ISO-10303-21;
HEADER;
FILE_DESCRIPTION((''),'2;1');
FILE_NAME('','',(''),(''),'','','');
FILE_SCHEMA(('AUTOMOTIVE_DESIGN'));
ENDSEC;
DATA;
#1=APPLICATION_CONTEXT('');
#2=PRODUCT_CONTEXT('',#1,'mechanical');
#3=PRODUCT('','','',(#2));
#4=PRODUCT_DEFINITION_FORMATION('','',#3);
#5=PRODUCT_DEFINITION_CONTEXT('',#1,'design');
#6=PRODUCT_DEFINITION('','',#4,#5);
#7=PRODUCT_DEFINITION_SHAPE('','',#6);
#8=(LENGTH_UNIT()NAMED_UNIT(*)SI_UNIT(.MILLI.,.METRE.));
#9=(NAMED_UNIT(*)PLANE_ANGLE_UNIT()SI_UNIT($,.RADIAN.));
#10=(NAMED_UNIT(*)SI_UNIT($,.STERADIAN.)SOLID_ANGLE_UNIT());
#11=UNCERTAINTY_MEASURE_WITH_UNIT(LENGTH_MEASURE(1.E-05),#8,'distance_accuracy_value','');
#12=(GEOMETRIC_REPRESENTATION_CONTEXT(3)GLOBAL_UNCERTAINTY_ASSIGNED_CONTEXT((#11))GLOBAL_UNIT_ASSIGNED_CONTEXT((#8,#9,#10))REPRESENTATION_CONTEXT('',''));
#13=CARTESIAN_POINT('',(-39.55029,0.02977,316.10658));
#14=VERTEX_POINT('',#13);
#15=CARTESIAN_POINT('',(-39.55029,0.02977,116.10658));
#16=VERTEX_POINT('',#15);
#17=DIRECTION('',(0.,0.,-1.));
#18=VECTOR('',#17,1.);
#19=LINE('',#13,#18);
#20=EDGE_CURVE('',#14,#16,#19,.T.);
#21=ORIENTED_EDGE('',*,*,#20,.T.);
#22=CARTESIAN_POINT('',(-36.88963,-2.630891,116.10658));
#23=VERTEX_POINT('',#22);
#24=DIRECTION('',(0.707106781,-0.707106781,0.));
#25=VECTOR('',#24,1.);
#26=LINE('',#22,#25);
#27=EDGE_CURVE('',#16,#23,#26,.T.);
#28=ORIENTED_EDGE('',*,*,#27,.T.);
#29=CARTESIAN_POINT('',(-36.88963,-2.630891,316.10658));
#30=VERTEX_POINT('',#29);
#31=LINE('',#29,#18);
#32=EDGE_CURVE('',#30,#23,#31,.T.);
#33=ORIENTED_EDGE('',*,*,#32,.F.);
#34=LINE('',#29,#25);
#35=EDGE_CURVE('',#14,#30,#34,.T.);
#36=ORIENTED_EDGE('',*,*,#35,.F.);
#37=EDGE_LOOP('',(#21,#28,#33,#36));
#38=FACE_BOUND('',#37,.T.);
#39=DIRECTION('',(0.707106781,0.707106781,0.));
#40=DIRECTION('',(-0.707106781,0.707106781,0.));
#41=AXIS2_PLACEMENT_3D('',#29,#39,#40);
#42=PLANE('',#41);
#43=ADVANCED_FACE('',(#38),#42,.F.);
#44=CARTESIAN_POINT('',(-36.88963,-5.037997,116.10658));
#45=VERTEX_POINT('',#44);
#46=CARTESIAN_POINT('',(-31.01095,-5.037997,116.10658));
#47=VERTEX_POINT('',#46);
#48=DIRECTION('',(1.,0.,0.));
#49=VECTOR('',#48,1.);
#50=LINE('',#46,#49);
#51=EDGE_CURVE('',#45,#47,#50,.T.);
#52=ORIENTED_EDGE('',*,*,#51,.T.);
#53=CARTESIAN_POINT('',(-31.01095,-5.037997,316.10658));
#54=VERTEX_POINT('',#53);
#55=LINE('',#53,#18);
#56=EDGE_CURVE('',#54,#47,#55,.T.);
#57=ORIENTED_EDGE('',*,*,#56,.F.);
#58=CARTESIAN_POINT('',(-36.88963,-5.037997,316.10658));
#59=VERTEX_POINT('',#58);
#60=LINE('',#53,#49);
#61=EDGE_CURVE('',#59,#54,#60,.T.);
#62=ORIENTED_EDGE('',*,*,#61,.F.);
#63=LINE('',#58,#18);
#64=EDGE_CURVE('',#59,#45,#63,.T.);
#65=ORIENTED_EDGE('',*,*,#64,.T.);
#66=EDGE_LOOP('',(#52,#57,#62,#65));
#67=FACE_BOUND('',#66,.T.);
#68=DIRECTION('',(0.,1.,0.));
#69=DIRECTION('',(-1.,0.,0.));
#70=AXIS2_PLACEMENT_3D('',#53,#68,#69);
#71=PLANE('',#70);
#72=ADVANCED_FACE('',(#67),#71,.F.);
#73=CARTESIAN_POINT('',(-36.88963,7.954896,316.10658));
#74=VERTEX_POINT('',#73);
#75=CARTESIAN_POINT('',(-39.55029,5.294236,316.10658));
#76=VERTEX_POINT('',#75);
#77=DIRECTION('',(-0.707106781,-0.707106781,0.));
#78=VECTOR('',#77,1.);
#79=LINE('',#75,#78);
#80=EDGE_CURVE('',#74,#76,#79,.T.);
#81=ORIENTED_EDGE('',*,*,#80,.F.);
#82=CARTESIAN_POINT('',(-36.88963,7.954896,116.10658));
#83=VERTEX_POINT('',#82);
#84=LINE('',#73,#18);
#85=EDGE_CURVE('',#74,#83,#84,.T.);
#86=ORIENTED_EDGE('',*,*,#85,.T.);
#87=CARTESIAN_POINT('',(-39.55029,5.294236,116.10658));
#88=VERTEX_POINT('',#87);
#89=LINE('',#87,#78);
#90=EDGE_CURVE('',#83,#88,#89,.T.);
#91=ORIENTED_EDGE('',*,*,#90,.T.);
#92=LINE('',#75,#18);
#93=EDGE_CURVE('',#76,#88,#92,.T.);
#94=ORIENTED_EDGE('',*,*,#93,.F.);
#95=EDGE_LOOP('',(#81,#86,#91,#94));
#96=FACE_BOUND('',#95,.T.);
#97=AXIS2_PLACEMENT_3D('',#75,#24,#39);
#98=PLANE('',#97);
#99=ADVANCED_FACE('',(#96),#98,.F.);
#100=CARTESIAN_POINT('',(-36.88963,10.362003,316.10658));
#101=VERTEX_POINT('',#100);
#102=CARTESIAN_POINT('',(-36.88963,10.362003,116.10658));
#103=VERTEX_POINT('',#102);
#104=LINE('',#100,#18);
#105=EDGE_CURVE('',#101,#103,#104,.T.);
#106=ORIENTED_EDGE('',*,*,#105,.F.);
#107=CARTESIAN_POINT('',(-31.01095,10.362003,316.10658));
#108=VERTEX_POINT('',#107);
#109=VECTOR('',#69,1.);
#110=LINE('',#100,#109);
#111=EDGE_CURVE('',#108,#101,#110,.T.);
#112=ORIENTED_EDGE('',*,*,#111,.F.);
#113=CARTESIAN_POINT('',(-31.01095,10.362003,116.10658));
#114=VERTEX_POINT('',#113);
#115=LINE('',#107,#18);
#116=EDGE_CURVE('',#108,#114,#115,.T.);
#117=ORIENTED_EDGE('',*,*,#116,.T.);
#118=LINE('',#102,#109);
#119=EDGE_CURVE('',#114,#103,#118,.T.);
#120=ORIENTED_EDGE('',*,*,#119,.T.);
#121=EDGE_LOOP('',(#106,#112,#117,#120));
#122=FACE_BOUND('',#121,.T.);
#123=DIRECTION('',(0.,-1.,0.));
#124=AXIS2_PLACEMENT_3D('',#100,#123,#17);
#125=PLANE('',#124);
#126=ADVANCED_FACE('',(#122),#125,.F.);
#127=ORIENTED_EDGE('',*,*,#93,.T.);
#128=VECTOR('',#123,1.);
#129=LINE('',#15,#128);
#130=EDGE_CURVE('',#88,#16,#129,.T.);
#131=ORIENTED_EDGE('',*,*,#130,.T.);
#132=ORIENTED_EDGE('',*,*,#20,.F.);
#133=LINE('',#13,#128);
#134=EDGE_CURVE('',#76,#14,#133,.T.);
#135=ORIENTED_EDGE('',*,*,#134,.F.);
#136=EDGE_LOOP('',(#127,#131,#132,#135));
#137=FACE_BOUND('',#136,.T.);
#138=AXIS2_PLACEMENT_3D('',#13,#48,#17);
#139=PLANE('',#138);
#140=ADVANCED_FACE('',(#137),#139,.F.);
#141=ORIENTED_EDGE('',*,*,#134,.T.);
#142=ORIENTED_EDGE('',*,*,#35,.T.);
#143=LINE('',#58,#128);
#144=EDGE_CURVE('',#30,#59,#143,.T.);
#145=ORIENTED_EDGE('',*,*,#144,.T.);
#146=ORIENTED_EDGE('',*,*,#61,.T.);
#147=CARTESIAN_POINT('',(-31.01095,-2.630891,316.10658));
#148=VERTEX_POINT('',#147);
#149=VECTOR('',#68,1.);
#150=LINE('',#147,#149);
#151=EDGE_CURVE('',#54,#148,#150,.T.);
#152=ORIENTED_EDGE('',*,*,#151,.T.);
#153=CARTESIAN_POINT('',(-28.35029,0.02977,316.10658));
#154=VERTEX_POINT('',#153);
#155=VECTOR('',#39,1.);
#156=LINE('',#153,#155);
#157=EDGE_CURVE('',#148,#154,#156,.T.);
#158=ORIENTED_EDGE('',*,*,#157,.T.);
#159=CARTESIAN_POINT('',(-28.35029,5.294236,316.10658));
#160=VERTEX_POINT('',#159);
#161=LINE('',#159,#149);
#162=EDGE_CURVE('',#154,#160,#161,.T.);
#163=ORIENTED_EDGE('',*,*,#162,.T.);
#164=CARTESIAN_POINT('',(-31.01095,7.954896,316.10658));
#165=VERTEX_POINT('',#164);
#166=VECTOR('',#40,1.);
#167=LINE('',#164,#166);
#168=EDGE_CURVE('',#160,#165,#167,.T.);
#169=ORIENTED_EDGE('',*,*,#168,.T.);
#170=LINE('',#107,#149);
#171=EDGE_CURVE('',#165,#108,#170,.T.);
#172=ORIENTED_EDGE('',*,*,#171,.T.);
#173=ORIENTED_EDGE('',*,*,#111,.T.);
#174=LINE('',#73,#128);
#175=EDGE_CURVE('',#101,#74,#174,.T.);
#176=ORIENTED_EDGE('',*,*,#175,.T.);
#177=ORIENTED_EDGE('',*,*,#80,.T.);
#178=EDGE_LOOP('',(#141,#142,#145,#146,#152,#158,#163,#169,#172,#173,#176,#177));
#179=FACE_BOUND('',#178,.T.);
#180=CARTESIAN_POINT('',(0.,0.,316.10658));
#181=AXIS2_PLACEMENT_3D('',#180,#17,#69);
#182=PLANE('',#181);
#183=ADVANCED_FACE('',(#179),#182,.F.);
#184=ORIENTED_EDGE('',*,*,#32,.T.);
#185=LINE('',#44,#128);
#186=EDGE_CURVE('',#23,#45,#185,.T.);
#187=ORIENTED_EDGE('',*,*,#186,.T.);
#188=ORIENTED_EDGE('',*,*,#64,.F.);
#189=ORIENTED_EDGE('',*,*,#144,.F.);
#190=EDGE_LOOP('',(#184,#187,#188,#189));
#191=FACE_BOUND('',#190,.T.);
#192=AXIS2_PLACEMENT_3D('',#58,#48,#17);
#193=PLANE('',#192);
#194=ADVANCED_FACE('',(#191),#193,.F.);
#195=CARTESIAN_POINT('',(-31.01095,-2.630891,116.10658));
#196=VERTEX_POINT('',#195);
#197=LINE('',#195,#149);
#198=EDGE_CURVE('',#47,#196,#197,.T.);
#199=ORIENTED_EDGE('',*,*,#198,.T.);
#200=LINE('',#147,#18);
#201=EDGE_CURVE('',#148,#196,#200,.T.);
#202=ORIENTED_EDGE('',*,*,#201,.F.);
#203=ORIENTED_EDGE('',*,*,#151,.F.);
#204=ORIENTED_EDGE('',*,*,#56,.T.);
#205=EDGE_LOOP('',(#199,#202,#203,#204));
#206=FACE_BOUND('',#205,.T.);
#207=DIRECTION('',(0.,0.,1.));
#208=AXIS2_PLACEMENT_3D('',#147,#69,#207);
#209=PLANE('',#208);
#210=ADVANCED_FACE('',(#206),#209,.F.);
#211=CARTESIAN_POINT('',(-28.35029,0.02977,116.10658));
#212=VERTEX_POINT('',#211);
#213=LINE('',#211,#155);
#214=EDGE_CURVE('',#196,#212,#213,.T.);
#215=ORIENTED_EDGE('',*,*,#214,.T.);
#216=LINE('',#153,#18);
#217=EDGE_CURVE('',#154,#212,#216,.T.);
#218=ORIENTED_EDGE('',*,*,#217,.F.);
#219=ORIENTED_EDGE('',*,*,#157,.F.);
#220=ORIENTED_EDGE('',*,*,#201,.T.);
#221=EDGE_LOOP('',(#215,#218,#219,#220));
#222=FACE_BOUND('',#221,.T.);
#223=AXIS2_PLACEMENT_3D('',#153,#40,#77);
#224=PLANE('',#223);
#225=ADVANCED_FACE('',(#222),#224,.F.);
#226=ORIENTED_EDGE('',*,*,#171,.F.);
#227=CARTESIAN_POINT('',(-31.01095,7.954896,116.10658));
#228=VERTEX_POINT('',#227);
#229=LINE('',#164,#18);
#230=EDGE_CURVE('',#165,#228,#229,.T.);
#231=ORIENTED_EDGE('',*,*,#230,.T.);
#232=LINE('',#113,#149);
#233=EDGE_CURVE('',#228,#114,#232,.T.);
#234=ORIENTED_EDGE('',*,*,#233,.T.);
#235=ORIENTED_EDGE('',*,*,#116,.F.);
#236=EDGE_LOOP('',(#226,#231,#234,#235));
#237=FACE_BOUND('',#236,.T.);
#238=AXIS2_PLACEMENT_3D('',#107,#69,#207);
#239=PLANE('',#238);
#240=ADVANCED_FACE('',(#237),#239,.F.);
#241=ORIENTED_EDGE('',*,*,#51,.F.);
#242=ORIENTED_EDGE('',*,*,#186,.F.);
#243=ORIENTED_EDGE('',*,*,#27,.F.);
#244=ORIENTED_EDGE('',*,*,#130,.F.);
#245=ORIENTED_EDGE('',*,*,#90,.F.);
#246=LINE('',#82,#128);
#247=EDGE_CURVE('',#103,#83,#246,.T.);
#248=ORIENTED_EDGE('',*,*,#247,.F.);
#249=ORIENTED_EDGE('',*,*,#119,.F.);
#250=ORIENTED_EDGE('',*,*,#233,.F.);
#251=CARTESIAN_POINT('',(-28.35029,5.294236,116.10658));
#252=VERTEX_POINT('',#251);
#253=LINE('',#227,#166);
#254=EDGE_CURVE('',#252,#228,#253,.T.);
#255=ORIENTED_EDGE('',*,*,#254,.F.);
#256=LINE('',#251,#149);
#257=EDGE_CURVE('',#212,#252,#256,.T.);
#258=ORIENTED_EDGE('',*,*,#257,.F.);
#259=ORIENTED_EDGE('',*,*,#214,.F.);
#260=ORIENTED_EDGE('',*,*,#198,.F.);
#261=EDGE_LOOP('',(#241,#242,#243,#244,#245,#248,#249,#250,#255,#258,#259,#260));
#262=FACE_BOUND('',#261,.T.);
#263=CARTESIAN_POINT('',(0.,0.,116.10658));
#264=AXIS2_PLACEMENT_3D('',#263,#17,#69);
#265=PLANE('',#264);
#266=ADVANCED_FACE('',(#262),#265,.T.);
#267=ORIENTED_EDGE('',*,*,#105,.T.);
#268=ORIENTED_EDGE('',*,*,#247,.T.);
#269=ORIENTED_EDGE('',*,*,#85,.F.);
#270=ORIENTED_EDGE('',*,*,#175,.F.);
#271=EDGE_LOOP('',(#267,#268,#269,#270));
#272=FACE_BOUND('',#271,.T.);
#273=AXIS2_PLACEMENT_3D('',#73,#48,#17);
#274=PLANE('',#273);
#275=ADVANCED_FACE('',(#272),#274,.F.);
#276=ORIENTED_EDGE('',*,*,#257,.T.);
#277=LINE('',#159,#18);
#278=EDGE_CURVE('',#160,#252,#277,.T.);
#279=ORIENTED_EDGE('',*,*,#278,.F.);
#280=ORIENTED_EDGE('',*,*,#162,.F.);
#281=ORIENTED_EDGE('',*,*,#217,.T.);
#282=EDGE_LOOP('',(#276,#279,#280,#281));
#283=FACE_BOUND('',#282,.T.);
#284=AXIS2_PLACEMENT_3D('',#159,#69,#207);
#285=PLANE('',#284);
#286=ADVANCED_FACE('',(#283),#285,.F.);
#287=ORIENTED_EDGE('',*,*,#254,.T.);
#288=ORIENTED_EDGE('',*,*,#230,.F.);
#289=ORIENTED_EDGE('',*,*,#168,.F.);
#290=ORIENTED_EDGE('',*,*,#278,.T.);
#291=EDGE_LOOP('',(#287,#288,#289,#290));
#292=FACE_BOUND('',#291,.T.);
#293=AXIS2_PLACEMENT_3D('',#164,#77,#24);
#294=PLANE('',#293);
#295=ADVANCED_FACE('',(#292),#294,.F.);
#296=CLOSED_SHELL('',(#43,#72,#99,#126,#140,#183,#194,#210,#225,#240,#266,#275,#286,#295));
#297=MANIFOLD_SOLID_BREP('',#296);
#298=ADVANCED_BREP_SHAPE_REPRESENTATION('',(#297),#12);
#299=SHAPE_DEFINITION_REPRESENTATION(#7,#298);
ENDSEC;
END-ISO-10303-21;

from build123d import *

# Parameters (mm, degrees)
BOSS_EXTRUDE1_DEPTH = 200


with BuildPart() as part:
    # Sketch1 → Boss-Extrude1 (new body)
    with BuildSketch(Plane.XY.offset(116.106580091)):
        Polygon((-39.550290087, 5.294235639), (-36.889629915, 7.954895811), (-36.889629915, 10.362002592), (-31.010950259, 10.362002592), (-31.010950259, 7.954895811), (-28.350290087, 5.294235639), (-28.350290087, 0.029769545), (-31.010950259, -2.630890626), (-31.010950259, -5.037997408), (-36.889629915, -5.037997408), (-36.889629915, -2.630890626), (-39.550290087, 0.029769545), align=None)
    extrude(amount=BOSS_EXTRUDE1_DEPTH)


solid = part.part
